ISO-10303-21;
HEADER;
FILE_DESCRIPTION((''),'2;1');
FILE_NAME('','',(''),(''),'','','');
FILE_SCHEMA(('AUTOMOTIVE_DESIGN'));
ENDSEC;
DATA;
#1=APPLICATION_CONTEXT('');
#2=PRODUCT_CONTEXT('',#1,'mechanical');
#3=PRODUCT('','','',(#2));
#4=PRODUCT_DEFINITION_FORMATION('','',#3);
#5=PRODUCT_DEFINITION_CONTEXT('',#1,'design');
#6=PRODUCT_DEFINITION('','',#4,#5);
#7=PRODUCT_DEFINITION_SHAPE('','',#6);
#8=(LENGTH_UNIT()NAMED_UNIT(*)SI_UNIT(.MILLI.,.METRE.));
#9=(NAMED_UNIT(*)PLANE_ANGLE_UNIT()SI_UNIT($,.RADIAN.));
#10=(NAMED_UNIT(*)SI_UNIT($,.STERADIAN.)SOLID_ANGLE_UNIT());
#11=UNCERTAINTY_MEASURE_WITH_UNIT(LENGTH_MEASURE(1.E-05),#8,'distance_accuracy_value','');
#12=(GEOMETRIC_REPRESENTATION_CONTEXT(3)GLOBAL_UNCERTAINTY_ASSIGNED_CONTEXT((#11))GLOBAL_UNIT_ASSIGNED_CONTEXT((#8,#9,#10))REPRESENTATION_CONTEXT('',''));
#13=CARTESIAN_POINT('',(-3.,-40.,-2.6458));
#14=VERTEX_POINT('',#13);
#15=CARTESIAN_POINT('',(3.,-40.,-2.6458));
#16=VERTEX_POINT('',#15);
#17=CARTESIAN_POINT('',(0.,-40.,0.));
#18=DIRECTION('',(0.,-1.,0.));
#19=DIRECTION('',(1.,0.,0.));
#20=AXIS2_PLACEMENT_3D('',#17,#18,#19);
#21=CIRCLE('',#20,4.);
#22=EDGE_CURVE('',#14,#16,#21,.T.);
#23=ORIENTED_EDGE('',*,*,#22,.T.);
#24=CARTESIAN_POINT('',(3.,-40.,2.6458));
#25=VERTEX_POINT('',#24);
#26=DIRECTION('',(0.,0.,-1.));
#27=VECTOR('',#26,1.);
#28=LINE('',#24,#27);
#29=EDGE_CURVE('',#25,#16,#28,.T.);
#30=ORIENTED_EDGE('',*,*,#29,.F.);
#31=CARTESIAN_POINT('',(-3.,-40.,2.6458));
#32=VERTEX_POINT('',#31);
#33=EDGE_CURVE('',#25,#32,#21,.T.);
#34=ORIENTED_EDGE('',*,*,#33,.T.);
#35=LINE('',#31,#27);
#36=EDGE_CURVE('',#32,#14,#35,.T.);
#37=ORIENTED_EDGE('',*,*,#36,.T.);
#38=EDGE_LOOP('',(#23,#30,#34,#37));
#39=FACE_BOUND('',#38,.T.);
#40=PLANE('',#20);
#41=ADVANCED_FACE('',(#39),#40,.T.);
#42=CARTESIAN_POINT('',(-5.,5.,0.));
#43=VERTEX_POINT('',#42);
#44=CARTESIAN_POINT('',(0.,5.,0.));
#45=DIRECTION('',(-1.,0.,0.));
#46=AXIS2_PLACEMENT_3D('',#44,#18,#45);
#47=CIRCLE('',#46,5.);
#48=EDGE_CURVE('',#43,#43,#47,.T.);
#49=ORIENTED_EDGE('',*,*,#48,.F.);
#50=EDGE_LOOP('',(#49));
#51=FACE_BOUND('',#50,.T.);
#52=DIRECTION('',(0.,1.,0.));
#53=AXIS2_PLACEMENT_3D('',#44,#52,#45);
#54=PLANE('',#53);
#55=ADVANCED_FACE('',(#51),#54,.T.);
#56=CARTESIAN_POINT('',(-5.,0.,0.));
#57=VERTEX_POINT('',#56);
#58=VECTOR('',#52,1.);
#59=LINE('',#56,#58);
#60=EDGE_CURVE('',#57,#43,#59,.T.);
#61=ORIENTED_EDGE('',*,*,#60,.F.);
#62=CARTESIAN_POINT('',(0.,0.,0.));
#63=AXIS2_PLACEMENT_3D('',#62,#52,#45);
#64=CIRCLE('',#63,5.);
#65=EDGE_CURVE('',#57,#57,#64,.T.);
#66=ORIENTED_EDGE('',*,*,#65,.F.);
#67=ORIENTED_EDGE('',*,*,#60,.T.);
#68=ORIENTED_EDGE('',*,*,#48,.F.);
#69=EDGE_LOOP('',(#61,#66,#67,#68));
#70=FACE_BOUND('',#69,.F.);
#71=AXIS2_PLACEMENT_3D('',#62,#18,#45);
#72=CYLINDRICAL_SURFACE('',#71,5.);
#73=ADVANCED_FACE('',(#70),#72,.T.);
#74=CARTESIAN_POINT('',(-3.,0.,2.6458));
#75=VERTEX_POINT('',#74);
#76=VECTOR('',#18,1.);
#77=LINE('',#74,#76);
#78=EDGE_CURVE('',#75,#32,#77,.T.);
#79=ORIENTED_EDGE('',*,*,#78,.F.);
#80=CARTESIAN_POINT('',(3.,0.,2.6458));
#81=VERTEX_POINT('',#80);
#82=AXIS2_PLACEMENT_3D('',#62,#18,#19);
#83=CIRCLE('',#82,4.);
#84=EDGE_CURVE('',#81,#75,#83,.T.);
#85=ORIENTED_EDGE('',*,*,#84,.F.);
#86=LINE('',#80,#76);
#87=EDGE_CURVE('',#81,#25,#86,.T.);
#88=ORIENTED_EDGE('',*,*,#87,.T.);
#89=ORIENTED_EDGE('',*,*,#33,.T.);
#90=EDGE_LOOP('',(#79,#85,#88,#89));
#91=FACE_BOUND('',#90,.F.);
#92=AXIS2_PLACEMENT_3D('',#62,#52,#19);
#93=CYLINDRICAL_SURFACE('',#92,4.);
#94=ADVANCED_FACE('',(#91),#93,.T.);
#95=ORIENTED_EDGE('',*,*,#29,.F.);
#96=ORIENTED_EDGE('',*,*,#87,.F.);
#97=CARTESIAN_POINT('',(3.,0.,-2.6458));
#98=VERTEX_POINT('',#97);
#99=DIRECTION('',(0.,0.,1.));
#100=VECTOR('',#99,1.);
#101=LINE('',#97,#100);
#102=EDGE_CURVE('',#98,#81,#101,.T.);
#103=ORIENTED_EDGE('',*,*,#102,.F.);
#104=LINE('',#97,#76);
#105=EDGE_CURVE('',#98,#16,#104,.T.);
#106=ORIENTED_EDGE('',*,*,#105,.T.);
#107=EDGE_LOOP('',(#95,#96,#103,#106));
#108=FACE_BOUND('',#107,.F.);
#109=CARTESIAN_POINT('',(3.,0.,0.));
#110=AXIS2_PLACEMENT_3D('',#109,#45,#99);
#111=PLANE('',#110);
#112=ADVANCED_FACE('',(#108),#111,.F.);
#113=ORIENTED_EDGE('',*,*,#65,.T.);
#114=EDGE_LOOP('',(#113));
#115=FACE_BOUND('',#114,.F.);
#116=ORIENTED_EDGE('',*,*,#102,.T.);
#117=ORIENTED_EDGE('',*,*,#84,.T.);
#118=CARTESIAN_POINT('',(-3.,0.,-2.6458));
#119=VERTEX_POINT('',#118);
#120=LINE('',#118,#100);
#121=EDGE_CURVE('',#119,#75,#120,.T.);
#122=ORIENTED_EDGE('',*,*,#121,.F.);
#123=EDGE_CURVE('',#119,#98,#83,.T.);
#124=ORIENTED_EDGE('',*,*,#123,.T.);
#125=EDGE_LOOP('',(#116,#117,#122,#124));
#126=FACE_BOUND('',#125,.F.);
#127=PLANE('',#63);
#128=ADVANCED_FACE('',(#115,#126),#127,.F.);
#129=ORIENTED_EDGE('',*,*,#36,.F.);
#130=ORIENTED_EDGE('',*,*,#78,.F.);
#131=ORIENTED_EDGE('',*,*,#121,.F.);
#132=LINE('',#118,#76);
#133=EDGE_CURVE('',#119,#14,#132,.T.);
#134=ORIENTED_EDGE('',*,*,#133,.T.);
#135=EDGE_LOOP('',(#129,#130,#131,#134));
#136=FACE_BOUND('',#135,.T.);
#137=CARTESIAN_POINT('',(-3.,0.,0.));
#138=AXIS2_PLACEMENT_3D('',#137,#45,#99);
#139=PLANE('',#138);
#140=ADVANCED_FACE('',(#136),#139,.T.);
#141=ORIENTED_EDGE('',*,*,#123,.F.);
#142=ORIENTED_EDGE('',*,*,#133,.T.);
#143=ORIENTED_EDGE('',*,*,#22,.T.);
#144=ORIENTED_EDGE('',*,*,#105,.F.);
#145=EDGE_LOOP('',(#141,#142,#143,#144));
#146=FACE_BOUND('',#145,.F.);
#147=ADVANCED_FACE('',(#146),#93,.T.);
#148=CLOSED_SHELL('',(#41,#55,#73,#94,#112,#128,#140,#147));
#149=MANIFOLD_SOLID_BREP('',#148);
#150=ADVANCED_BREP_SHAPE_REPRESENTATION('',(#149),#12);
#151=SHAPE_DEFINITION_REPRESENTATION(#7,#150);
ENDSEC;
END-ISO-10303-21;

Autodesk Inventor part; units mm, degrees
ref_plane "YZ Plane" through (0, 0, 0) normal (1, 0, 0) x (0, 1, 0)
ref_plane "XZ Plane" through (0, 0, 0) normal (0, 1, 0) x (-1, 0, 0)
ref_plane "XY Plane" through (0, 0, 0) normal (0, 0, 1) x (1, 0, 0)
sketch "Sketch1" plane through (0, 0, 0) normal (0, 1, 0) x (-1, 0, 0)
  circle A0 centre (0, 0) radius 5
  line L0 (0, 0) -> (3.5355, -3.5355)
  line L1 (0, 0) -> (5, 0) construction
  dimension "d0" = 10
  dimension "d1" = 5
  dimension "d2" = 45
extrude "Extrusion1" add sketch "Sketch1" along normal blind 5
sketch "Sketch3" plane through (0, 5, 0) normal (0, 1, 0) x (1, 0, 0)
  circle A0 centre (0, 0) radius 5
  dimension "d47" = 10
sketch "Sketch4" plane through (0, 0, 0) normal (0, -1, 0) x (1, 0, 0)
  circle A0 centre (0, 0) radius 4
  line L0 (0, 0) -> (3, 0)
  line L1 (3, 0) -> (3, -2.6458)
  line L2 (3, 0) -> (3, 2.6458)
  line L3 (0, 0) -> (-3, 0)
  line L4 (-3, 0) -> (-3, -2.6458)
  line L5 (-3, 0) -> (-3, 2.6458)
  dimension "d33" = 8
  dimension "d34" = 3
  dimension "d35" = 3
extrude "Extrusion4" add sketch "Sketch4" along normal blind 40 contours L2 L0 L3 L5 A0 | A0 L4 L3 L0 L1
properties part number "Gear_Leverage"
